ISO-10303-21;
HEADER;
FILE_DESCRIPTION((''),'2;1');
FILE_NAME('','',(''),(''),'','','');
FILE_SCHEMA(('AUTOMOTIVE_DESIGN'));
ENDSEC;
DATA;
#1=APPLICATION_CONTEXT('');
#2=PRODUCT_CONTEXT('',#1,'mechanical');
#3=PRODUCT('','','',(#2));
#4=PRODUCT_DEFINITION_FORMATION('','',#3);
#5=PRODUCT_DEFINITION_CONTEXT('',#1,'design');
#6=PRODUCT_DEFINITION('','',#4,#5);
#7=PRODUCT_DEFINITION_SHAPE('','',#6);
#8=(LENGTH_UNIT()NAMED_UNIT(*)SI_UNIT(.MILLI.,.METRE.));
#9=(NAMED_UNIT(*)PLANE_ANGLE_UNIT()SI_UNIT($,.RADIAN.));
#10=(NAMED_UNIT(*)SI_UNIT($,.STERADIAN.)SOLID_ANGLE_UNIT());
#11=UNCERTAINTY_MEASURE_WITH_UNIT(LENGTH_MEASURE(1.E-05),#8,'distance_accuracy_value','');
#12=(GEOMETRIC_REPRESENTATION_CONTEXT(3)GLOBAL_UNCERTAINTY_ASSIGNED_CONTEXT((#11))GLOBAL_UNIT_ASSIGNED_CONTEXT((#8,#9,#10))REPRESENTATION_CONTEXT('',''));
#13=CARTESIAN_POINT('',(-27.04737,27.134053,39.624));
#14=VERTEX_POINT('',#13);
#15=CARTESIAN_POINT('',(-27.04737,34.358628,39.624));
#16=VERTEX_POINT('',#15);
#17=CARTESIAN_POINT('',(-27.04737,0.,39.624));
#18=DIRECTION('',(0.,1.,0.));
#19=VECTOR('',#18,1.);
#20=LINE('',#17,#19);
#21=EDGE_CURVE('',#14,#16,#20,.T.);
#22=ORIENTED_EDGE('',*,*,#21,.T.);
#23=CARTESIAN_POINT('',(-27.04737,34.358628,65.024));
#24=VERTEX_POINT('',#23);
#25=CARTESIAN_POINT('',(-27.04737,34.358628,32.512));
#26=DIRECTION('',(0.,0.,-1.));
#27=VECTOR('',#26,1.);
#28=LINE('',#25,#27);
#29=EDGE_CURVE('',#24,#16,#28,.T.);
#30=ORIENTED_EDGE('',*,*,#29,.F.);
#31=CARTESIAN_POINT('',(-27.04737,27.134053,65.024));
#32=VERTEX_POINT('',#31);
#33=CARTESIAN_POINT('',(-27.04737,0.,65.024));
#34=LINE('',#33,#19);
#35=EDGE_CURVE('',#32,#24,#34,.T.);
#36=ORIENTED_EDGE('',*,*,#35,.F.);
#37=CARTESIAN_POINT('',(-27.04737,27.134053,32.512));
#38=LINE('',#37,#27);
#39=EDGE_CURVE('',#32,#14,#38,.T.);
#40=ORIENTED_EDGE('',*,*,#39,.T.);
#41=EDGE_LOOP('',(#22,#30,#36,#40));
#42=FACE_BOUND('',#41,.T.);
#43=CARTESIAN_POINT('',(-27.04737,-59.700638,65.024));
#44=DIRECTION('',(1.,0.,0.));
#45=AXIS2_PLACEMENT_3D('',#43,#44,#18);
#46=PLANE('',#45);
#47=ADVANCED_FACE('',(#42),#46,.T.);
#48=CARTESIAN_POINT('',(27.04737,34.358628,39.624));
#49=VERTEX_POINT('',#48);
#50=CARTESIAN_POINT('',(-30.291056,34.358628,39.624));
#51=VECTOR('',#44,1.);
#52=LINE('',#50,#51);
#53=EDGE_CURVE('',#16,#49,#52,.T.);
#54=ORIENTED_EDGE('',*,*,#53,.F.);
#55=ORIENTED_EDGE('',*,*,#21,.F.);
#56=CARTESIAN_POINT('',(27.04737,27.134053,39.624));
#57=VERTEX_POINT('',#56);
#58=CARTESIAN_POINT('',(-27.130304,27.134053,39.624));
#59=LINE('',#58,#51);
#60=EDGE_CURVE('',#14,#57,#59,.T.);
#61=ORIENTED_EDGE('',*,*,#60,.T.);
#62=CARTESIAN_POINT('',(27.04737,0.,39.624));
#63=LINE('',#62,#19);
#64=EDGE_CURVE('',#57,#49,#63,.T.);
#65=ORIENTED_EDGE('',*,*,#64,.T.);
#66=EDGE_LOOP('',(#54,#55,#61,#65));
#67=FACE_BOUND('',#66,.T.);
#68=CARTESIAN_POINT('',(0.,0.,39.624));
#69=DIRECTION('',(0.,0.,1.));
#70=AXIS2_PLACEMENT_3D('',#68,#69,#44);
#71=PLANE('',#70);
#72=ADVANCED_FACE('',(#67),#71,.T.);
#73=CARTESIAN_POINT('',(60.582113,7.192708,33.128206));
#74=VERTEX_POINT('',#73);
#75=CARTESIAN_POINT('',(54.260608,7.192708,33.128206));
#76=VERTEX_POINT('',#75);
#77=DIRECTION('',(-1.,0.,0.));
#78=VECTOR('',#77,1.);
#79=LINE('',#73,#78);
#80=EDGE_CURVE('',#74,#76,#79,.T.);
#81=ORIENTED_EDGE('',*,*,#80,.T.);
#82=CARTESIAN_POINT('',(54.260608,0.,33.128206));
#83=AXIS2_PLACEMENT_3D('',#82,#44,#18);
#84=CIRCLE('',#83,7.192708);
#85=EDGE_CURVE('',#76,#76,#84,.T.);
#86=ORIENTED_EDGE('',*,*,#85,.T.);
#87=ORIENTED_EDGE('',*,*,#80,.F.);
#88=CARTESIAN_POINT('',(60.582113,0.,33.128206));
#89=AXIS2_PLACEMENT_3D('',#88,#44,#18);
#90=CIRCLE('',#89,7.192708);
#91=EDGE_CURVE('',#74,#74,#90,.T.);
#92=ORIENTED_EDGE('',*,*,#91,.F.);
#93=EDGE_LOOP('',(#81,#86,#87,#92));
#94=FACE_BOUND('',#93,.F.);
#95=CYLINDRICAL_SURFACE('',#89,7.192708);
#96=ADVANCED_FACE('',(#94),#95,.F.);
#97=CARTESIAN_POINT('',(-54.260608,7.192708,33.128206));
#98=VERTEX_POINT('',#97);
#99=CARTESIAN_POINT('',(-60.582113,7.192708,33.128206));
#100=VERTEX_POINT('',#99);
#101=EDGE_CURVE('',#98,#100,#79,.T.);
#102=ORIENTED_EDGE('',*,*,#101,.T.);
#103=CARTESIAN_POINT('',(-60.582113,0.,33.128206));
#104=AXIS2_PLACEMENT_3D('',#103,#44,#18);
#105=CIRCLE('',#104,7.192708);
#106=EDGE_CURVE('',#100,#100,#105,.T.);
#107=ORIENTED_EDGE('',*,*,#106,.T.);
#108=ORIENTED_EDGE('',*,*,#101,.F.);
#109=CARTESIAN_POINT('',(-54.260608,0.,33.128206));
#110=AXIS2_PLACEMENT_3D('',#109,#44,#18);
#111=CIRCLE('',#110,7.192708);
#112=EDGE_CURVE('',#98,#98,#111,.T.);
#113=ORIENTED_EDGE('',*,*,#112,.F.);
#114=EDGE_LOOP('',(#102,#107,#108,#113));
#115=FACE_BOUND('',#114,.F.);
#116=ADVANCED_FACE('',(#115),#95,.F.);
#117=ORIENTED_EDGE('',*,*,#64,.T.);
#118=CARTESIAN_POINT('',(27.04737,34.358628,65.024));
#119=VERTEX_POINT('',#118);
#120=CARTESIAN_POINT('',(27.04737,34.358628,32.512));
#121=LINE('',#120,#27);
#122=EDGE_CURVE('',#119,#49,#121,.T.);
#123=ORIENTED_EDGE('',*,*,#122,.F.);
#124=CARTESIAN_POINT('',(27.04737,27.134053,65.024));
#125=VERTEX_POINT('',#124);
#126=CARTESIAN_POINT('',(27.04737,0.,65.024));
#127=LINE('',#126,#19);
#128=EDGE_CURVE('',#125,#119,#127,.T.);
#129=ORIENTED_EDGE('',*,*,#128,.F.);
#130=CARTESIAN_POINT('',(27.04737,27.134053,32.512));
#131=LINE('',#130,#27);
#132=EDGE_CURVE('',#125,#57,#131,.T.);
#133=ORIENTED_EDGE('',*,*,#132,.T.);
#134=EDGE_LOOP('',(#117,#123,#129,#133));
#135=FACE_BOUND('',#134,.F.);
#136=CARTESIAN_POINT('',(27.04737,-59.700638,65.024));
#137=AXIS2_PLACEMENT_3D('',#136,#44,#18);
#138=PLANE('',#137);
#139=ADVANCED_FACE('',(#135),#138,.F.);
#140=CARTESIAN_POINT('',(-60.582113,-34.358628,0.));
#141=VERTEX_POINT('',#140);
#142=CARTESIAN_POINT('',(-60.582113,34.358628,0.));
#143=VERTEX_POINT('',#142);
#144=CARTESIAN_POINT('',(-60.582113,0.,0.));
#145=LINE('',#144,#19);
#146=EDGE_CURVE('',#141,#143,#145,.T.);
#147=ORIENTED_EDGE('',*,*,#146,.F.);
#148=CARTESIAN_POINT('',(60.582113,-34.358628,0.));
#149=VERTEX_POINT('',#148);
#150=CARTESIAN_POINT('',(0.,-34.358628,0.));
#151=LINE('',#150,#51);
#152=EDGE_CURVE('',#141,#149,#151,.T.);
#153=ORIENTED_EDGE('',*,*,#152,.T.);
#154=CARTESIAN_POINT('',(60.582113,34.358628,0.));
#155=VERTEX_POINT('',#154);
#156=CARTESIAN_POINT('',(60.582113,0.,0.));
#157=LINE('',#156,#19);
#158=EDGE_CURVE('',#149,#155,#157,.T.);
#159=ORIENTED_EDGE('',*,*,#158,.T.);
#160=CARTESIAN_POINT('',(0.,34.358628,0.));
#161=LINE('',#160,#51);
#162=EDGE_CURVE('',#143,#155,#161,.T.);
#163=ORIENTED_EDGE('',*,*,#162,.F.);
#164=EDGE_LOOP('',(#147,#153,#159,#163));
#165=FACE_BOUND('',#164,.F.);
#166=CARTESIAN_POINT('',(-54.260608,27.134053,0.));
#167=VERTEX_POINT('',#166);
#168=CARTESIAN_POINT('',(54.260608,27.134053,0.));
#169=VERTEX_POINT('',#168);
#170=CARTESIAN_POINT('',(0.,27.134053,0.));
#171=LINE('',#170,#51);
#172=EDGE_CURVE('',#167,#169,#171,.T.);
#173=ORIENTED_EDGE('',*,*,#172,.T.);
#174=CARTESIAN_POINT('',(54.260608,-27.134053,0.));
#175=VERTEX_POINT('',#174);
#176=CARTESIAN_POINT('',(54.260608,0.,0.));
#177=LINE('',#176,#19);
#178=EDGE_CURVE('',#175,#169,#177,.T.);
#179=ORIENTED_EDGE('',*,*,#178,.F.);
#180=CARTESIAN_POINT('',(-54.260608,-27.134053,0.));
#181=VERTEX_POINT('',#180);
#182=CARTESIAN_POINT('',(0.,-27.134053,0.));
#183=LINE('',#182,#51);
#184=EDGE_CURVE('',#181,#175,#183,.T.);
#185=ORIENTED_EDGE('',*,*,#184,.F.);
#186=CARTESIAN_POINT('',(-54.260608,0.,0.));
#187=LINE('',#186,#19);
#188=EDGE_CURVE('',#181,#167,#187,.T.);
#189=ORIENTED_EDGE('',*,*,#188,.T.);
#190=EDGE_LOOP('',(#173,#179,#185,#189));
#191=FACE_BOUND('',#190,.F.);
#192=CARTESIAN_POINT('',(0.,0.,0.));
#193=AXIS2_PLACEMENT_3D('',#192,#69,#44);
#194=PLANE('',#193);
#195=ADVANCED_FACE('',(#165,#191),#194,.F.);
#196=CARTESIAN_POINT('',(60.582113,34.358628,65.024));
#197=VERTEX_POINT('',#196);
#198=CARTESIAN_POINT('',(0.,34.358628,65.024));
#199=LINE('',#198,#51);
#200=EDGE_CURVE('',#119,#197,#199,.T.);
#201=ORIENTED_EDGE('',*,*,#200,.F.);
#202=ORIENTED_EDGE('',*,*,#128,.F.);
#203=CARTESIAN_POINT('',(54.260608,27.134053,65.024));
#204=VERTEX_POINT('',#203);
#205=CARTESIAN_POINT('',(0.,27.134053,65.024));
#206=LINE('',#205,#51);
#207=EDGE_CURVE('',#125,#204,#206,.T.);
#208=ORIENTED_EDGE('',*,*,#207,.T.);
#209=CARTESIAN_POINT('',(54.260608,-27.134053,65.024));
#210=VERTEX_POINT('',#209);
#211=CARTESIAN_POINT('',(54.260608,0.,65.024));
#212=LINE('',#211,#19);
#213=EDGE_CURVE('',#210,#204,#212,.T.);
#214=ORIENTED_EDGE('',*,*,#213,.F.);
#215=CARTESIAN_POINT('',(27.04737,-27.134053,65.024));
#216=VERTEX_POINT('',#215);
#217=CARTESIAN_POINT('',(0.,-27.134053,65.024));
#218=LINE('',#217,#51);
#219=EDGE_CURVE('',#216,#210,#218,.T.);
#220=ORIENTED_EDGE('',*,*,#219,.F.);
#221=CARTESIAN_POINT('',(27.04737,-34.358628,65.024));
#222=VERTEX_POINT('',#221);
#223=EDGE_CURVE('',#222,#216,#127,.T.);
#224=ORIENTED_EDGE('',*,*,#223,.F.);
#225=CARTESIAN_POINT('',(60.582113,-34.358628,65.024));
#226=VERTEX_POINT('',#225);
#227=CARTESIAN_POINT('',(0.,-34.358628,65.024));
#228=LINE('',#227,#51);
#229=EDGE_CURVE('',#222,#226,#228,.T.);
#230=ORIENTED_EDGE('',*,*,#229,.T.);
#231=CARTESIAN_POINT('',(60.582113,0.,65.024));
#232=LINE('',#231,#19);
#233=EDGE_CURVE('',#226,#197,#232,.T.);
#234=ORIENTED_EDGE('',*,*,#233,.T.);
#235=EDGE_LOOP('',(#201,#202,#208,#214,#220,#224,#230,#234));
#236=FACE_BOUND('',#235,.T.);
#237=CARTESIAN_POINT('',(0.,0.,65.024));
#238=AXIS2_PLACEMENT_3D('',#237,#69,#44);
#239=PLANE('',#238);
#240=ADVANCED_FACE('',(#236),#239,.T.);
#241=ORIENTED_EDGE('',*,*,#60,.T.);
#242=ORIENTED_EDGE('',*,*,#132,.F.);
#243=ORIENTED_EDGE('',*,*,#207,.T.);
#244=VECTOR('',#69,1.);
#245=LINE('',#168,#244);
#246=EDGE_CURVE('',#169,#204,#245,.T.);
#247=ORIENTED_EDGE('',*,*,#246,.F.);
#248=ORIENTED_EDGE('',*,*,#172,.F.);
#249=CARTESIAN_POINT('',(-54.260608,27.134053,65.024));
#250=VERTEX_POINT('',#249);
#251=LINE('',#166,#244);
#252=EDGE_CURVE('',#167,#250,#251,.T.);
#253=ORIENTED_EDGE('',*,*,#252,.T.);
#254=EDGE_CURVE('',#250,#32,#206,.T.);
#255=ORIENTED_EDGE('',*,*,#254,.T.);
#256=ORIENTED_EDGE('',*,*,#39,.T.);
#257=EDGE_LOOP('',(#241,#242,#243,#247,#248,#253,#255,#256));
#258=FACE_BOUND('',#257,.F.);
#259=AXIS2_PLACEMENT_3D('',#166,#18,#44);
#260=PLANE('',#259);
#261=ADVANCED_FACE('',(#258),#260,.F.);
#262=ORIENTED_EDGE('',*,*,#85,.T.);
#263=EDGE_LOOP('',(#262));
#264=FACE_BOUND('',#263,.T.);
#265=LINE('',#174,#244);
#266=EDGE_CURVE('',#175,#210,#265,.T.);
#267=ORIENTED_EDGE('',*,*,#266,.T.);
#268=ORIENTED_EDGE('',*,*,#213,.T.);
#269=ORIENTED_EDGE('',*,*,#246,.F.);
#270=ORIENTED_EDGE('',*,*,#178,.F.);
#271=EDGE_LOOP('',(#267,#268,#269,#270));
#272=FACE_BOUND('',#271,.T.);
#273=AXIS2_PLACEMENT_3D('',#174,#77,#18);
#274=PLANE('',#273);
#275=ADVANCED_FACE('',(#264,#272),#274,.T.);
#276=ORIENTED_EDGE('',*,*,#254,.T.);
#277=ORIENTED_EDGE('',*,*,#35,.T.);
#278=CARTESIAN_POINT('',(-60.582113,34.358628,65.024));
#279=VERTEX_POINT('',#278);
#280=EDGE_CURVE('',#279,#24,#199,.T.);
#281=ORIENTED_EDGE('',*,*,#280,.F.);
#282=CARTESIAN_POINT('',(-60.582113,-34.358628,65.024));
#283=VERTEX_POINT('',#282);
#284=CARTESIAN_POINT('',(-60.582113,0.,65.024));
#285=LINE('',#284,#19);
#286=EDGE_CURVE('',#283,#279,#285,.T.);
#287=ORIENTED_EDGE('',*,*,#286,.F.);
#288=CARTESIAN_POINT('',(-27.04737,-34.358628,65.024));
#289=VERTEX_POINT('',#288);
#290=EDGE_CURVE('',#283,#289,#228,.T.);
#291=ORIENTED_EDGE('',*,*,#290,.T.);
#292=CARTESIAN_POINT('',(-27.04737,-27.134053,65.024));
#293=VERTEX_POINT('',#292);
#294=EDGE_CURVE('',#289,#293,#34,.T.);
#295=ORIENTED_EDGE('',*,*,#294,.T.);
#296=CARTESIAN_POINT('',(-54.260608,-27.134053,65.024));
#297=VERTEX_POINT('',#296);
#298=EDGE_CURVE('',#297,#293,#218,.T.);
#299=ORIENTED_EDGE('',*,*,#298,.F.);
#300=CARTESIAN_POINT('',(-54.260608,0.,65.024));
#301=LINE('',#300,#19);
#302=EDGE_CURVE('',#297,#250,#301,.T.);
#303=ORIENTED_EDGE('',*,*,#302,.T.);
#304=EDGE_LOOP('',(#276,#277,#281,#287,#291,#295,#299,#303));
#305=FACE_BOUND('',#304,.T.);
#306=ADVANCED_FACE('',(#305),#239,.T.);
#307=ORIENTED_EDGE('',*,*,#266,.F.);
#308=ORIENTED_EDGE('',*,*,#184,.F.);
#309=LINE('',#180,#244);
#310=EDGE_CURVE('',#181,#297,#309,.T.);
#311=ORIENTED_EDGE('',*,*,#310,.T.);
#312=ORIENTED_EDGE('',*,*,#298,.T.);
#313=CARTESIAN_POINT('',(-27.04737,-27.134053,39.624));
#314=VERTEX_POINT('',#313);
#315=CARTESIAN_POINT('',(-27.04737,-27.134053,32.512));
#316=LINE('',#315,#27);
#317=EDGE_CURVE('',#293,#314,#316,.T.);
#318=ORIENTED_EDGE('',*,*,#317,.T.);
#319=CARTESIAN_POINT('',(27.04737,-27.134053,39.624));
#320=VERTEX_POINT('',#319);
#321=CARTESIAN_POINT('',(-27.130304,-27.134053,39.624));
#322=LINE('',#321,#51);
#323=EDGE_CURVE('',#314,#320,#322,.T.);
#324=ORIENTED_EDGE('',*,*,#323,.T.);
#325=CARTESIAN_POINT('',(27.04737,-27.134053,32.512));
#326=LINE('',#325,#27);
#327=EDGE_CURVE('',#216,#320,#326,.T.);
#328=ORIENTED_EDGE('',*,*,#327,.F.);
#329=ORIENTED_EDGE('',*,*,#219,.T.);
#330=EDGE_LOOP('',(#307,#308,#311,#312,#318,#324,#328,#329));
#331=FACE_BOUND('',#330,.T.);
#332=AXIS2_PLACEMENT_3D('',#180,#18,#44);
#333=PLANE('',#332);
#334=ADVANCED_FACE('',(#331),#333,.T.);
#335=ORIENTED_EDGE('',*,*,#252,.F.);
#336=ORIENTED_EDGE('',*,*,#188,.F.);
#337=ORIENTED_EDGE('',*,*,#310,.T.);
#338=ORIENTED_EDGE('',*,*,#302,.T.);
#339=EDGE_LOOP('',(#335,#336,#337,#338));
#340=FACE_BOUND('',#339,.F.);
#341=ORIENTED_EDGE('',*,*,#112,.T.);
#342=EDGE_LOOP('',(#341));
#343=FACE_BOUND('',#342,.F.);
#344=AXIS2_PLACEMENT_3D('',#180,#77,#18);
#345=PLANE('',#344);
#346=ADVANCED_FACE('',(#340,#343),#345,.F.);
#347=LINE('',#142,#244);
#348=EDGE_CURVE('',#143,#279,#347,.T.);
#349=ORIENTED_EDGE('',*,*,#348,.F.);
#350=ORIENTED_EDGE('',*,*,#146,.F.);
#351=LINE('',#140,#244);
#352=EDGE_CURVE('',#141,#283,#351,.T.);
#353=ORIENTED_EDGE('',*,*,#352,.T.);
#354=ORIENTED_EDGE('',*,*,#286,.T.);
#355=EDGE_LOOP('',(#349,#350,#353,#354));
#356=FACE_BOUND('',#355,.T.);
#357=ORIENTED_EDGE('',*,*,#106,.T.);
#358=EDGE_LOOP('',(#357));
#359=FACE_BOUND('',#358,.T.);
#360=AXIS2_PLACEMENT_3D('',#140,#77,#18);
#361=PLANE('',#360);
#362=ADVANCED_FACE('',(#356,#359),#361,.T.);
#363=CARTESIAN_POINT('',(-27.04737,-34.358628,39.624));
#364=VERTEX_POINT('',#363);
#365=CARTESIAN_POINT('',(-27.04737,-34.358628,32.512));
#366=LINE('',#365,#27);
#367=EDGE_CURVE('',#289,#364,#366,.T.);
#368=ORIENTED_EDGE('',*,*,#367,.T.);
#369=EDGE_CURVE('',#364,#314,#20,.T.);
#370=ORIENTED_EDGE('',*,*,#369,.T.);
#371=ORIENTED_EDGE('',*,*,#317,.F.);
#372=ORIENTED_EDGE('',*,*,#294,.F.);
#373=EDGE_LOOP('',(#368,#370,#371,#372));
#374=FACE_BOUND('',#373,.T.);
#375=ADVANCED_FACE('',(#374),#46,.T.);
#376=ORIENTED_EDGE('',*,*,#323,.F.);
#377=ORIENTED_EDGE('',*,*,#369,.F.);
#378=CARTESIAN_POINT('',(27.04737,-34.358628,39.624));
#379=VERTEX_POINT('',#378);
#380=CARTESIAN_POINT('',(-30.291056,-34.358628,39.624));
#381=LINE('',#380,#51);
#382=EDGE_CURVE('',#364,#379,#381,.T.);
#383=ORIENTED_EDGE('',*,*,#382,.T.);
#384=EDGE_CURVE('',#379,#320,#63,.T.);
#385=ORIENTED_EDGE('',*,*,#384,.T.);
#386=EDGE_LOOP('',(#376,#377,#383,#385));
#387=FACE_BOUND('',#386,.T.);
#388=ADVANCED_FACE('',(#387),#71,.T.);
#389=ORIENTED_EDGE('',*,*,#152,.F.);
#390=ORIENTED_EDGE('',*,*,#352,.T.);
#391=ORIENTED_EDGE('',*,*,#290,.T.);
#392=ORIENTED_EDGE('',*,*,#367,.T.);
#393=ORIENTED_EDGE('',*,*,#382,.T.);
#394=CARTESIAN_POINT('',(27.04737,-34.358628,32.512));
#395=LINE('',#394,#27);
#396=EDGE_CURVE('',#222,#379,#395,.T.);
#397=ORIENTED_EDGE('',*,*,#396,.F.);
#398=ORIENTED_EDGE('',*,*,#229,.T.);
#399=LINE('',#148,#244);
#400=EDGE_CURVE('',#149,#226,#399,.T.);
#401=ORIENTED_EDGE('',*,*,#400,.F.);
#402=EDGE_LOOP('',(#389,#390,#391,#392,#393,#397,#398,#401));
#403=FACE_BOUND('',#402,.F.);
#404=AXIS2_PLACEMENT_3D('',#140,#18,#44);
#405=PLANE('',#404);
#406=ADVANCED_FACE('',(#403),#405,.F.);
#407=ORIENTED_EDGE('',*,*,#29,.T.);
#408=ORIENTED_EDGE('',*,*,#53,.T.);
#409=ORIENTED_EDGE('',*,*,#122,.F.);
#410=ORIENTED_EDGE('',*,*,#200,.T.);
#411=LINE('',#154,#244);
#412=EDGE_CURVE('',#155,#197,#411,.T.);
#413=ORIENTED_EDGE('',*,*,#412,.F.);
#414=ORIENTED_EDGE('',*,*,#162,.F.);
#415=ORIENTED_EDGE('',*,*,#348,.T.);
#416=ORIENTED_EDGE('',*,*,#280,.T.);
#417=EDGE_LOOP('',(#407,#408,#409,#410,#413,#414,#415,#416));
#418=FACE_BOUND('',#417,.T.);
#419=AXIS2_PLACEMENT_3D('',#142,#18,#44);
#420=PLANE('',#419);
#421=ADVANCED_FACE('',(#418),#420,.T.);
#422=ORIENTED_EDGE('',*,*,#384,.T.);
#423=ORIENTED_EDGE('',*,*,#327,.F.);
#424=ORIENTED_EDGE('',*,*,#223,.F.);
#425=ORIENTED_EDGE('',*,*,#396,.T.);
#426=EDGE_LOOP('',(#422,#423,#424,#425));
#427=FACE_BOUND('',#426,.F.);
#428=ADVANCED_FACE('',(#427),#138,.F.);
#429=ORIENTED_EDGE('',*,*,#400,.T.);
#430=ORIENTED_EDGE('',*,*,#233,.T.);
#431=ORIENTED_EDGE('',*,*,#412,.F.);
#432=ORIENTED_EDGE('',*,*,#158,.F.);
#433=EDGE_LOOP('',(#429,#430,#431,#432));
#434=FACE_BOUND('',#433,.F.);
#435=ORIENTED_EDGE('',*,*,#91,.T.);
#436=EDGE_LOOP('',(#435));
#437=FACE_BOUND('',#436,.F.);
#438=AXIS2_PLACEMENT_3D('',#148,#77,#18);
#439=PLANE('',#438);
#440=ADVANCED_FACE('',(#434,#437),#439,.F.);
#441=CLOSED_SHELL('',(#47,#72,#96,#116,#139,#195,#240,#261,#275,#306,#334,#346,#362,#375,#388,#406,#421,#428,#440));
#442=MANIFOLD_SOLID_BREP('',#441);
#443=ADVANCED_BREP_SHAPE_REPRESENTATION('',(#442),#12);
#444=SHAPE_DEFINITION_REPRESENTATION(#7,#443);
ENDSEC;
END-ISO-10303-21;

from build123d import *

# Parameters (mm, degrees)
F0_W     = 121.164226
F0_H     = 68.717256
F0_W_2   = 108.521216
F0_H_2   = 54.268106
F1_DEPTH = 65.024
F2_W     = 54.09474
F2_H     = 119.401276
F3_DEPTH = 25.4
F4_R     = 7.192708
F5_DEPTH = 121.165225


with BuildPart() as f1:
    # F0 (on Top) → F1 (new body)
    with BuildSketch(Plane.XY):
        Rectangle(F0_W, F0_H)
        Rectangle(F0_W_2, F0_H_2, mode=Mode.SUBTRACT)
    extrude(amount=F1_DEPTH)

    # F2 (on face) → F3 (cut)
    with BuildSketch(Plane.XY.offset(65.024)):
        Rectangle(F2_W, F2_H)
    extrude(amount=-F3_DEPTH, mode=Mode.SUBTRACT)

    # F4 (on face) → F5 (cut, through all)
    with BuildSketch(Plane.YZ.offset(60.582113)):
        with Locations((0, 33.128206)):
            Circle(F4_R)
    extrude(amount=-F5_DEPTH, mode=Mode.SUBTRACT)


solid = f1.part
